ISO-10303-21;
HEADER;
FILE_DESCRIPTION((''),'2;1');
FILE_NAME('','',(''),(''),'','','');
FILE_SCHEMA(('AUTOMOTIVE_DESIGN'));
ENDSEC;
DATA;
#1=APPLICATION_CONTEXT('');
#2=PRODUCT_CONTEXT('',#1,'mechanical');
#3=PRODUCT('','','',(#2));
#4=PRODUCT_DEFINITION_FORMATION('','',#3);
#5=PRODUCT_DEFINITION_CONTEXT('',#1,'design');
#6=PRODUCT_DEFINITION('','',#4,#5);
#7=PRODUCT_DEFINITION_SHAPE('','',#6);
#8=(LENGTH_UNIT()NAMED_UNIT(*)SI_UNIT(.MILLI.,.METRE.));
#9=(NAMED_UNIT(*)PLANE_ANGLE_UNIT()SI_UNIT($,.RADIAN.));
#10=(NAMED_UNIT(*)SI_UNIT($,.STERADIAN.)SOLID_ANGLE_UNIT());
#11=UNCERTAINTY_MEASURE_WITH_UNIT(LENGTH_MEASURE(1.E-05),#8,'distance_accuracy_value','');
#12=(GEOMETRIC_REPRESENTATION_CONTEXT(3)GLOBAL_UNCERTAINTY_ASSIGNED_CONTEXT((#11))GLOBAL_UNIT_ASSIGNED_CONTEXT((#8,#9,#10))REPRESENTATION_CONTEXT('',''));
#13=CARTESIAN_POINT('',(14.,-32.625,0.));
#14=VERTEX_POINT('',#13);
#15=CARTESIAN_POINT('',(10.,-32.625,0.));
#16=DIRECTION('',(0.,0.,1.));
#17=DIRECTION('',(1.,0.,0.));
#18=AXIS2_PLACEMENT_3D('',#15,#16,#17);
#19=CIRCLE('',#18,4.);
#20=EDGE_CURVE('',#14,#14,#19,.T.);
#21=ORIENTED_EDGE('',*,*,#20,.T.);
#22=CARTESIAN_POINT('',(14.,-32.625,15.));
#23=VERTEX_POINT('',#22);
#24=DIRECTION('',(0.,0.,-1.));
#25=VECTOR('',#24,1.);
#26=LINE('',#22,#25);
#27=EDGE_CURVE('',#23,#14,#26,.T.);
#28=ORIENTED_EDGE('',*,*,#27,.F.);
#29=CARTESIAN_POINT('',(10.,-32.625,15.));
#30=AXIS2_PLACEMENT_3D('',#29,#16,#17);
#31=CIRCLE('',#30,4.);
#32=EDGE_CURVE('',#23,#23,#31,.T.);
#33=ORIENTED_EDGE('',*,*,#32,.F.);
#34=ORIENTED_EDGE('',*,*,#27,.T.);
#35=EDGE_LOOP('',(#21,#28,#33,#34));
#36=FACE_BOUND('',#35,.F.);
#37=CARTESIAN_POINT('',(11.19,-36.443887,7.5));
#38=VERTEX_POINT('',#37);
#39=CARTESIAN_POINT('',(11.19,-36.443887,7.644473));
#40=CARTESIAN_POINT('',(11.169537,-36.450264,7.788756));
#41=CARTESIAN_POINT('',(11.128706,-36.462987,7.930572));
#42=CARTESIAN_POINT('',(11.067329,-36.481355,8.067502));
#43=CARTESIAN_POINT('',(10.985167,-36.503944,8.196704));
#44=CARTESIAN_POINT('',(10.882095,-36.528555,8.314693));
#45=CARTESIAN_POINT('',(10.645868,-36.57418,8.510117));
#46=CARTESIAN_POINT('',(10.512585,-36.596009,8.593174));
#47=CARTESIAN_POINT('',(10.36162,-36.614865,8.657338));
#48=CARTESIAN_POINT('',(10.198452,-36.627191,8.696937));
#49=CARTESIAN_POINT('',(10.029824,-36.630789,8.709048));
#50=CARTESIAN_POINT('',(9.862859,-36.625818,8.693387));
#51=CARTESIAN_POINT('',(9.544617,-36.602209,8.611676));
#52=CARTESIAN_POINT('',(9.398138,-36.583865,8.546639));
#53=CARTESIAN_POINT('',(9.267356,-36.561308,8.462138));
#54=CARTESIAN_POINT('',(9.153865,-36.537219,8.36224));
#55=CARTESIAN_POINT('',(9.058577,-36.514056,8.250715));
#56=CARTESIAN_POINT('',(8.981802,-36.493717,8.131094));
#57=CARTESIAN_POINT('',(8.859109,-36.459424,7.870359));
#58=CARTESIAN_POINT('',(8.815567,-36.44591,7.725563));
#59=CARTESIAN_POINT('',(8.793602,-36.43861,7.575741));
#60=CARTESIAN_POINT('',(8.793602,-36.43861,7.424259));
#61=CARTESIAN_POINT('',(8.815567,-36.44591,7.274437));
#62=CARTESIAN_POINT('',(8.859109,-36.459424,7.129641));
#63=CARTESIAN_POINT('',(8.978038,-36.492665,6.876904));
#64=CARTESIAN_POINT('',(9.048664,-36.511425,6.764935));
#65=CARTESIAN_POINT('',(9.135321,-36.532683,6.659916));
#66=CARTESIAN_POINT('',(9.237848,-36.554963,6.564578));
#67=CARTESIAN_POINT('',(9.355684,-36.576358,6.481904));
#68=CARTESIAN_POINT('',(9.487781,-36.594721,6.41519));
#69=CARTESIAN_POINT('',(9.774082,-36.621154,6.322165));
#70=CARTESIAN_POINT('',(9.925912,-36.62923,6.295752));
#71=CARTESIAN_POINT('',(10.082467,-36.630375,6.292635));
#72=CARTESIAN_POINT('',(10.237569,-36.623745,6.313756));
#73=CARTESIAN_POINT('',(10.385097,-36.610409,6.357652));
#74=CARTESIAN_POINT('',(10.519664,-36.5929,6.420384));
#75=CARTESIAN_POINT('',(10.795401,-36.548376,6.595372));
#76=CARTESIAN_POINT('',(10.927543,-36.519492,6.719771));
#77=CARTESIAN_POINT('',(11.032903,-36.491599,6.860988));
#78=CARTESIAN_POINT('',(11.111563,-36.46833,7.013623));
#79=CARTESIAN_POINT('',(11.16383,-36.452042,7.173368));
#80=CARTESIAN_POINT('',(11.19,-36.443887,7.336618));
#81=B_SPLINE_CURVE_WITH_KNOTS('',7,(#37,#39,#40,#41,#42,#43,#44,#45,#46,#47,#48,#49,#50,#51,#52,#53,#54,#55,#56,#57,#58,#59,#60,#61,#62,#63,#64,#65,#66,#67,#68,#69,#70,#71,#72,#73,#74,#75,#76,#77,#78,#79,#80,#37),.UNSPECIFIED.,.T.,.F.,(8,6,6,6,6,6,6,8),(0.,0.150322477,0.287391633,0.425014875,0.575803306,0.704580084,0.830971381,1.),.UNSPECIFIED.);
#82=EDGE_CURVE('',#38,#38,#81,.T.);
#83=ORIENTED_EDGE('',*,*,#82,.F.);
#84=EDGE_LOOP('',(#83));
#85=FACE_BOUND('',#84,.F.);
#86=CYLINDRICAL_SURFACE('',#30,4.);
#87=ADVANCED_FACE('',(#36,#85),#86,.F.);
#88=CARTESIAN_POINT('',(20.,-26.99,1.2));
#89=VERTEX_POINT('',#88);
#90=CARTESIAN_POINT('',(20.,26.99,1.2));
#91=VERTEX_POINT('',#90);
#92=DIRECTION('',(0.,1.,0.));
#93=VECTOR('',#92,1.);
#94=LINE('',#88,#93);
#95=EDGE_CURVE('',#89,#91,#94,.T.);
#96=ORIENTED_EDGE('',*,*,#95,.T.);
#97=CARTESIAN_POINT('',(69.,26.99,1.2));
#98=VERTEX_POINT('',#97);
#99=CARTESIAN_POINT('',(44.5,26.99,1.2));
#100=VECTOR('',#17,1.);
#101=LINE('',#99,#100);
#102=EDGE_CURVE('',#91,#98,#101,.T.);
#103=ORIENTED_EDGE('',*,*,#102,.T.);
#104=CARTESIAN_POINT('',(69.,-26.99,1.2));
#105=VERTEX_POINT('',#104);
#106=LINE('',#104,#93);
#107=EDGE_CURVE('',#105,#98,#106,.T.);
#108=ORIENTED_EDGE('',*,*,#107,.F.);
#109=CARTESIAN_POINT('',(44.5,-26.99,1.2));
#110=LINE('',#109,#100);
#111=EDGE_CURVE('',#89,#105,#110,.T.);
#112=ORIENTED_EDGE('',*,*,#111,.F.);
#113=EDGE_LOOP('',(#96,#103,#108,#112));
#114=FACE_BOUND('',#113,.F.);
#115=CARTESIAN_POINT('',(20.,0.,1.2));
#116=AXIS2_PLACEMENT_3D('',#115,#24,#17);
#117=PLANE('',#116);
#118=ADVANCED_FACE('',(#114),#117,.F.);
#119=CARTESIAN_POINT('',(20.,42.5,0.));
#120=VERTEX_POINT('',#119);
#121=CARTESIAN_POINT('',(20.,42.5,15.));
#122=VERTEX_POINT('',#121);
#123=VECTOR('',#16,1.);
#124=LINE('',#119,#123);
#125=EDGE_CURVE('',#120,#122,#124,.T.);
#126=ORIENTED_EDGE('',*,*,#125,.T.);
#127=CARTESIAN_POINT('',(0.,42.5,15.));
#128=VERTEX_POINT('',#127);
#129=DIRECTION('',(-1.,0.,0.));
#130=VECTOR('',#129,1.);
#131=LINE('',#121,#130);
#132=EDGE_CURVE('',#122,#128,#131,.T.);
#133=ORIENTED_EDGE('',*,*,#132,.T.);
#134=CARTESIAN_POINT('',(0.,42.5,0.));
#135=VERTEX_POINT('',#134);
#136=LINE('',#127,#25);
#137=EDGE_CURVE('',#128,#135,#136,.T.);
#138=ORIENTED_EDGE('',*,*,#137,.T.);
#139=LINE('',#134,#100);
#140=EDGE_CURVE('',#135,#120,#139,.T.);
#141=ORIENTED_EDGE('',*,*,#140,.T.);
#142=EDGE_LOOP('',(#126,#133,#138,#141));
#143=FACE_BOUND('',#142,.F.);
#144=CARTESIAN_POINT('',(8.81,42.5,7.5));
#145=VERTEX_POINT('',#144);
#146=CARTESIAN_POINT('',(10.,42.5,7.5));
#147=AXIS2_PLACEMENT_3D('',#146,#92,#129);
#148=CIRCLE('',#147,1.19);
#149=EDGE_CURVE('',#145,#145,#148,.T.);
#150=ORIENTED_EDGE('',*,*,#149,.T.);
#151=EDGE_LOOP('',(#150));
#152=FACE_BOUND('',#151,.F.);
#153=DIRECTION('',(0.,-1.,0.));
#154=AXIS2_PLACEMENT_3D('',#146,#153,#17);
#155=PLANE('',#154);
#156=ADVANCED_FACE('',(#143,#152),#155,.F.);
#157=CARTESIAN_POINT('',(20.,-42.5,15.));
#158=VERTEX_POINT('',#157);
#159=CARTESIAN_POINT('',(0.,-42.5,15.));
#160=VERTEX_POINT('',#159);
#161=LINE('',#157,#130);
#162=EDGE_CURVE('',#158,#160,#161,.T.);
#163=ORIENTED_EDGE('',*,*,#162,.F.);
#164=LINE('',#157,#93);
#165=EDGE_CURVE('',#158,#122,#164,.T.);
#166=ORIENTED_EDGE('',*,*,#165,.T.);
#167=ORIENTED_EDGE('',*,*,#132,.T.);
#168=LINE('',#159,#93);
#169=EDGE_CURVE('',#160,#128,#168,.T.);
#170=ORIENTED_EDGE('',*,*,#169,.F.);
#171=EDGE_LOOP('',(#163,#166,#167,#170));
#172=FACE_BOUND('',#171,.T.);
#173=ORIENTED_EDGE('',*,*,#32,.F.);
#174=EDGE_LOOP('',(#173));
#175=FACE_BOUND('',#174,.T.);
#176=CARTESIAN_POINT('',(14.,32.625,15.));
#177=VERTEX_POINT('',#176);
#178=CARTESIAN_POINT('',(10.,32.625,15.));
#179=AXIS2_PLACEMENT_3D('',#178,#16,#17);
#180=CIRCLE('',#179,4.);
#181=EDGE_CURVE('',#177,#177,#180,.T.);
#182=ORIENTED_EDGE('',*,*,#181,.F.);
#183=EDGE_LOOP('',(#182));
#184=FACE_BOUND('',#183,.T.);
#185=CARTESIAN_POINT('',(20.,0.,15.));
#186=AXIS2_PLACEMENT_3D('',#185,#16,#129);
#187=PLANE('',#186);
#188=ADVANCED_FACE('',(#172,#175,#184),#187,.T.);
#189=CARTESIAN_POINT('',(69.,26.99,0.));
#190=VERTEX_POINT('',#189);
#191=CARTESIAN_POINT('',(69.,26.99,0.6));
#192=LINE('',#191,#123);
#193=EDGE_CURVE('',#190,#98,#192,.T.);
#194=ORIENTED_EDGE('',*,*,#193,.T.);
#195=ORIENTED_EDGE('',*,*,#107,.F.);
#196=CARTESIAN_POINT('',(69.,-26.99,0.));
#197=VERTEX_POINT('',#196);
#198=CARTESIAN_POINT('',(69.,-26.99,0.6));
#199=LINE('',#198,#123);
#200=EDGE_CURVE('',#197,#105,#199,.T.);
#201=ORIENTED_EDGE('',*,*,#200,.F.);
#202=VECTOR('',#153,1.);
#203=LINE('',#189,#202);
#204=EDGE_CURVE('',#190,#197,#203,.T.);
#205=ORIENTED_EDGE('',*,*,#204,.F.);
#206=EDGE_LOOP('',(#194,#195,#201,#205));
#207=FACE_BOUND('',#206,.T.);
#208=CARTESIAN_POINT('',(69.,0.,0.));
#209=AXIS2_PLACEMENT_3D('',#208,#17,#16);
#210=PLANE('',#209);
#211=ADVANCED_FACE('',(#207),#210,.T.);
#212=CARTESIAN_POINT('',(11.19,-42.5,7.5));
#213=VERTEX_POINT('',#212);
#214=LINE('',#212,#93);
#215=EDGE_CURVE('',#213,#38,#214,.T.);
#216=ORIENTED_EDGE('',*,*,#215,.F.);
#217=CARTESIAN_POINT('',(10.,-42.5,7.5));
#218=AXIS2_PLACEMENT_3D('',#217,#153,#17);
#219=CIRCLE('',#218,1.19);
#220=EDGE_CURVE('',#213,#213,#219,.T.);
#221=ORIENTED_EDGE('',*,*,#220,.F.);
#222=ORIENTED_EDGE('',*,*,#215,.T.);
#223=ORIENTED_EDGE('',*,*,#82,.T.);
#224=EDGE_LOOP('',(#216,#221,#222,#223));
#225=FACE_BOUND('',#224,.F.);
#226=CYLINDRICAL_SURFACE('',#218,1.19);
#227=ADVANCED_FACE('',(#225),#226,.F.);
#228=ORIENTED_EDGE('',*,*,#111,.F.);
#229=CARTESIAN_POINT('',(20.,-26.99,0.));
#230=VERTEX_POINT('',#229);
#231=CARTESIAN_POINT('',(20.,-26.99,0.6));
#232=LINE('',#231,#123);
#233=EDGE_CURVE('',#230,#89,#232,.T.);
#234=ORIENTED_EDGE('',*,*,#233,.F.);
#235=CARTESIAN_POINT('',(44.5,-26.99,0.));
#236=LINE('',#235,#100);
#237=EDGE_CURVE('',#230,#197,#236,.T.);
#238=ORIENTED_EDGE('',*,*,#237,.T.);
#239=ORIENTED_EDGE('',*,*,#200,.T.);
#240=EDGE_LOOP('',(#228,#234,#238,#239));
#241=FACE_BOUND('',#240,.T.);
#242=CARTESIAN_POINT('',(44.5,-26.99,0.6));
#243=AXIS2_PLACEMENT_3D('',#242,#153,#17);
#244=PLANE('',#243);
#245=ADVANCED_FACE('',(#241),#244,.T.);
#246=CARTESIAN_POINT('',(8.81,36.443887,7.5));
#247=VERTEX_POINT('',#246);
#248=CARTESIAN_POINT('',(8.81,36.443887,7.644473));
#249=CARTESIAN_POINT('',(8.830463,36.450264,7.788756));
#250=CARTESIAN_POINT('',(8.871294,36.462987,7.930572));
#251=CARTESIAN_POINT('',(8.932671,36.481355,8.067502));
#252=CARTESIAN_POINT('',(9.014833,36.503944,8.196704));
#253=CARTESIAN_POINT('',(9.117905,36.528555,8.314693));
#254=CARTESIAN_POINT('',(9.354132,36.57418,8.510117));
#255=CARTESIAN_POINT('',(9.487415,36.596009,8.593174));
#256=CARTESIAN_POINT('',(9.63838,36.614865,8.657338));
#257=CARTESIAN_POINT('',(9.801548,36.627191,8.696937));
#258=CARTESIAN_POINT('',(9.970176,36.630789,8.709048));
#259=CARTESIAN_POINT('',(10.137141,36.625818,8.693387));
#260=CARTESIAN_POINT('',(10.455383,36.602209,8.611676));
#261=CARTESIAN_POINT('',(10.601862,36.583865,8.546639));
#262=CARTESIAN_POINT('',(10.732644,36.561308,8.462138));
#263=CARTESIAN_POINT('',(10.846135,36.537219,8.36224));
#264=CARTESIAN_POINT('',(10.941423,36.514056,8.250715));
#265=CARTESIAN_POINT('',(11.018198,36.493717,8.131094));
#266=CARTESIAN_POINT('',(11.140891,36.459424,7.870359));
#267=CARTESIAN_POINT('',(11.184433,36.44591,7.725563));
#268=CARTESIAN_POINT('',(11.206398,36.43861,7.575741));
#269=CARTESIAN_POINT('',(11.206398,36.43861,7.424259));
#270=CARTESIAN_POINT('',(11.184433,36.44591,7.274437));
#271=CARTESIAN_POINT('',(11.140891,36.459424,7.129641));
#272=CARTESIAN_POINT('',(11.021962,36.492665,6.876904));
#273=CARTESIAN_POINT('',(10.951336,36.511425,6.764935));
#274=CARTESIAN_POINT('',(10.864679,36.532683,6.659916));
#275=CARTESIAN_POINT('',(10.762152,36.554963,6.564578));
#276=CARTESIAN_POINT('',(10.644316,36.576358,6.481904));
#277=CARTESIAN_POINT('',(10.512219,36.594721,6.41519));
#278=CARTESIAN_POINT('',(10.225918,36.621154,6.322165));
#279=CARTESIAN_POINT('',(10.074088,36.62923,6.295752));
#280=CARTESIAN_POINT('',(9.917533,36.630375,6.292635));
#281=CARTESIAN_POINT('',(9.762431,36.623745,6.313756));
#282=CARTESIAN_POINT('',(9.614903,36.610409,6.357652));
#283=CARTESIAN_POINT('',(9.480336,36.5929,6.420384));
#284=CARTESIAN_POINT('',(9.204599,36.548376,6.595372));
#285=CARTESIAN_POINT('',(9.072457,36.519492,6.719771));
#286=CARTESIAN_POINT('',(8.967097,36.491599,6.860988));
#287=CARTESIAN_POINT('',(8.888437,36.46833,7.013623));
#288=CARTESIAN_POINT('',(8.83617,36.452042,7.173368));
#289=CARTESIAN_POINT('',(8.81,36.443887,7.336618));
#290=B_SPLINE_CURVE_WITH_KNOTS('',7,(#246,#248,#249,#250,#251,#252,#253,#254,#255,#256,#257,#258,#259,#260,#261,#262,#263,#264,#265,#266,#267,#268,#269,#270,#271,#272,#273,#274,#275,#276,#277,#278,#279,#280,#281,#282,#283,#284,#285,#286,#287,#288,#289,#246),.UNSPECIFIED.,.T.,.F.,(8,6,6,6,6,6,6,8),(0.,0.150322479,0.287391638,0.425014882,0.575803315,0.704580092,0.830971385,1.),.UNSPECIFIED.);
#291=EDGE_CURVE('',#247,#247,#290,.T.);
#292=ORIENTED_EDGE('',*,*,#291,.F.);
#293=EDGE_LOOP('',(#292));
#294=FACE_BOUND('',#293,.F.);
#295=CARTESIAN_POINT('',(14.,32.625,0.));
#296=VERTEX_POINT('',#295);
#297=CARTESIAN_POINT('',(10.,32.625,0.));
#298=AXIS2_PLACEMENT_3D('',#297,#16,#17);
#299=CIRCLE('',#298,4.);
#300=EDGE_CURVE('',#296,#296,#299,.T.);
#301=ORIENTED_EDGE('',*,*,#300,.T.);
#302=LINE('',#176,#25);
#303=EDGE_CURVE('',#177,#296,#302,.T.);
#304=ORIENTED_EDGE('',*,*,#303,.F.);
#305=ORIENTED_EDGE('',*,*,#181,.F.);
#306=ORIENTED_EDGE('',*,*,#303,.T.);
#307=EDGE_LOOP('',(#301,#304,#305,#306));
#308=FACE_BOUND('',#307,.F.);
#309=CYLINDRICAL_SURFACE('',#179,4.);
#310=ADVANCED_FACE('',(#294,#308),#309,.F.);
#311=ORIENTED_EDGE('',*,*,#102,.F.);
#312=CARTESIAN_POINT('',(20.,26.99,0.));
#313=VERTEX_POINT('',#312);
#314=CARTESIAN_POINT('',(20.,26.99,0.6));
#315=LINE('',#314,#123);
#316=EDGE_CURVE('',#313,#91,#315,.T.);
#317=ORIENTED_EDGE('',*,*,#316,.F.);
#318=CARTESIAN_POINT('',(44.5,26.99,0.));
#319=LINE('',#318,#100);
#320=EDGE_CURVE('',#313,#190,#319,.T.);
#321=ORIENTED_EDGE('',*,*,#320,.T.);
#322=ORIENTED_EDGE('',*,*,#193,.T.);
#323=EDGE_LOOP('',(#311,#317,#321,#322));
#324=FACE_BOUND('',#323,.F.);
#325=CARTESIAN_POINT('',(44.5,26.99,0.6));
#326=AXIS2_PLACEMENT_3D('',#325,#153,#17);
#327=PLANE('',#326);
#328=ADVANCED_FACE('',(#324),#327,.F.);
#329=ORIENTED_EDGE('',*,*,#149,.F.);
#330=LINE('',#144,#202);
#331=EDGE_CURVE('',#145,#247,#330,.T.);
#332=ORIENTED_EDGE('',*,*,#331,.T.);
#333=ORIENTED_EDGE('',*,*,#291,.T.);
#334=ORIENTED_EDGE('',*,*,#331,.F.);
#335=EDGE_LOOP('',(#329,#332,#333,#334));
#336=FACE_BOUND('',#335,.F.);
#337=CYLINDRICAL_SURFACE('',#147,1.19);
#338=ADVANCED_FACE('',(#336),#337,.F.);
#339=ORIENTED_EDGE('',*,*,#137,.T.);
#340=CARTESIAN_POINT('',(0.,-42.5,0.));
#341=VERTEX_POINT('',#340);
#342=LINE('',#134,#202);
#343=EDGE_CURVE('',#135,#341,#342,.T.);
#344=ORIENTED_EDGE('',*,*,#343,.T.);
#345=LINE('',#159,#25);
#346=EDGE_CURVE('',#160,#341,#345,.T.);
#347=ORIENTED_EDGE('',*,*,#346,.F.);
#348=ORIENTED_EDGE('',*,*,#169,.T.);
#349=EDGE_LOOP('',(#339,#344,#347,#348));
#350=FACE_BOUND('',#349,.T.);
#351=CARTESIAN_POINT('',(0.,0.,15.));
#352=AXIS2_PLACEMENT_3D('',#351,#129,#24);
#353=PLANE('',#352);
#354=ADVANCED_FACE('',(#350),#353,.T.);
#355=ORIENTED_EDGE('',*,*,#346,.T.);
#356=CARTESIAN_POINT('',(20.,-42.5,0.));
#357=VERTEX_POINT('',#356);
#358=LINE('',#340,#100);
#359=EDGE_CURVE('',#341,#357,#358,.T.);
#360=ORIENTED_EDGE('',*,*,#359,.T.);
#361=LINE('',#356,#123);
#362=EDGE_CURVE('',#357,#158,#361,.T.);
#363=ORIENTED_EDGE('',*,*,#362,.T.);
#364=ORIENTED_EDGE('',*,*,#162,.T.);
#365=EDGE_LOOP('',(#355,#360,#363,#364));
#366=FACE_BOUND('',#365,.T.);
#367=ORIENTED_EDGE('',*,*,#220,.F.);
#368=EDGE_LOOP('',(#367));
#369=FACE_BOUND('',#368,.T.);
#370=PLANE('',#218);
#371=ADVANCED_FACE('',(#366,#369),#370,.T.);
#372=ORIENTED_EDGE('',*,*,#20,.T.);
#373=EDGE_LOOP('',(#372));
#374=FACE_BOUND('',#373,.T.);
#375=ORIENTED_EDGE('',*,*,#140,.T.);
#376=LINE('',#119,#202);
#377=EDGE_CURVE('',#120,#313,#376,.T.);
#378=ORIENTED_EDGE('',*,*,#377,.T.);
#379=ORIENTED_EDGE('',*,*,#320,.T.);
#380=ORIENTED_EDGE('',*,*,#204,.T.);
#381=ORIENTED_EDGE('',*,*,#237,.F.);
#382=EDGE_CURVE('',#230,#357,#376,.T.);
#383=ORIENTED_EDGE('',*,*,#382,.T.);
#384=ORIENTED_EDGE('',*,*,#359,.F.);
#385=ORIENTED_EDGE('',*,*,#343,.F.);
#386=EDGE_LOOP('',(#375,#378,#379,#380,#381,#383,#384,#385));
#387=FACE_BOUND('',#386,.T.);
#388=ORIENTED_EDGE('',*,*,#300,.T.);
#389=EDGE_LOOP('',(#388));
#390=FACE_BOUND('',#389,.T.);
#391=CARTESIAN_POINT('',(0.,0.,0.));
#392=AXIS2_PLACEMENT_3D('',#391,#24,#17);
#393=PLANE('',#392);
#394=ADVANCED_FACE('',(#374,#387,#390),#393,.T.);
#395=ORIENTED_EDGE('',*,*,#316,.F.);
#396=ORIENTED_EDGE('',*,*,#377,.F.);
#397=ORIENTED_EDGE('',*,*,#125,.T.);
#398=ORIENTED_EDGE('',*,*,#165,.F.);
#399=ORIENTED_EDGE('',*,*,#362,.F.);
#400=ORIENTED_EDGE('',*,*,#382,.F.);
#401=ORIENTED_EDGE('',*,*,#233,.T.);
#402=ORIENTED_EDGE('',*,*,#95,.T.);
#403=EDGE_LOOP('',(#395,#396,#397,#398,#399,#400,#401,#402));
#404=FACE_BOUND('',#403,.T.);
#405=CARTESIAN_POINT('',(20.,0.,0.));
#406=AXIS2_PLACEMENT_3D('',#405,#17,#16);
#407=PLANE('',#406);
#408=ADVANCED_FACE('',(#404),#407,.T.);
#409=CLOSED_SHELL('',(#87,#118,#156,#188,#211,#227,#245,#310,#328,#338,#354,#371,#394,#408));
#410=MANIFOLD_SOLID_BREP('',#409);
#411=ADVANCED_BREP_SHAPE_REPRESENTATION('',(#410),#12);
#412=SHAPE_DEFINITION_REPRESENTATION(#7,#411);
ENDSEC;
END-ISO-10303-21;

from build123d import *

# Parameters (mm, degrees)
F0_W     = 49
F0_H     = 1.2
F1_DEPTH = 26.99
F2_DEPTH = 42.5
F4_R     = 4
F5_DEPTH = 25
F6_R     = 1.19
F7_DEPTH = 8
F8_R     = 1.19
F9_DEPTH = 8


with BuildPart() as f1:
    # F0 (on Front) → F1 (new body, symmetric)
    with BuildSketch(Plane.XZ):
        with Locations((44.5, 0.6)):
            Rectangle(F0_W, F0_H)
    extrude(amount=F1_DEPTH, both=True)

    # F0 (on Front) → F2 (join, symmetric)
    with BuildSketch(Plane.XZ):
        Polygon((0, 15), (0, 0), (20, 0), (20, 1.2), (20, 15), align=None)
    extrude(amount=F2_DEPTH, both=True)

    # F4 (on offset) → F5 (cut)
    with BuildSketch(Plane.XY.offset(15)):
        with Locations((10, -32.625)):
            Circle(F4_R)
        with Locations((10, 32.625)):
            Circle(F4_R)
    extrude(amount=-F5_DEPTH, mode=Mode.SUBTRACT)

    # F6 (on face) → F7 (cut)
    with BuildSketch(Plane.XZ.offset(42.5)):
        with Locations((10, 7.5)):
            Circle(F6_R)
    extrude(amount=-F7_DEPTH, mode=Mode.SUBTRACT)

    # F8 (on face) → F9 (cut)
    with BuildSketch(Plane(origin=(0, 42.5, 0), x_dir=(-1, 0, 0), z_dir=(0, 1, 0))):
        with Locations((-10, 7.5)):
            Circle(F8_R)
    extrude(amount=-F9_DEPTH, mode=Mode.SUBTRACT)


solid = f1.part
